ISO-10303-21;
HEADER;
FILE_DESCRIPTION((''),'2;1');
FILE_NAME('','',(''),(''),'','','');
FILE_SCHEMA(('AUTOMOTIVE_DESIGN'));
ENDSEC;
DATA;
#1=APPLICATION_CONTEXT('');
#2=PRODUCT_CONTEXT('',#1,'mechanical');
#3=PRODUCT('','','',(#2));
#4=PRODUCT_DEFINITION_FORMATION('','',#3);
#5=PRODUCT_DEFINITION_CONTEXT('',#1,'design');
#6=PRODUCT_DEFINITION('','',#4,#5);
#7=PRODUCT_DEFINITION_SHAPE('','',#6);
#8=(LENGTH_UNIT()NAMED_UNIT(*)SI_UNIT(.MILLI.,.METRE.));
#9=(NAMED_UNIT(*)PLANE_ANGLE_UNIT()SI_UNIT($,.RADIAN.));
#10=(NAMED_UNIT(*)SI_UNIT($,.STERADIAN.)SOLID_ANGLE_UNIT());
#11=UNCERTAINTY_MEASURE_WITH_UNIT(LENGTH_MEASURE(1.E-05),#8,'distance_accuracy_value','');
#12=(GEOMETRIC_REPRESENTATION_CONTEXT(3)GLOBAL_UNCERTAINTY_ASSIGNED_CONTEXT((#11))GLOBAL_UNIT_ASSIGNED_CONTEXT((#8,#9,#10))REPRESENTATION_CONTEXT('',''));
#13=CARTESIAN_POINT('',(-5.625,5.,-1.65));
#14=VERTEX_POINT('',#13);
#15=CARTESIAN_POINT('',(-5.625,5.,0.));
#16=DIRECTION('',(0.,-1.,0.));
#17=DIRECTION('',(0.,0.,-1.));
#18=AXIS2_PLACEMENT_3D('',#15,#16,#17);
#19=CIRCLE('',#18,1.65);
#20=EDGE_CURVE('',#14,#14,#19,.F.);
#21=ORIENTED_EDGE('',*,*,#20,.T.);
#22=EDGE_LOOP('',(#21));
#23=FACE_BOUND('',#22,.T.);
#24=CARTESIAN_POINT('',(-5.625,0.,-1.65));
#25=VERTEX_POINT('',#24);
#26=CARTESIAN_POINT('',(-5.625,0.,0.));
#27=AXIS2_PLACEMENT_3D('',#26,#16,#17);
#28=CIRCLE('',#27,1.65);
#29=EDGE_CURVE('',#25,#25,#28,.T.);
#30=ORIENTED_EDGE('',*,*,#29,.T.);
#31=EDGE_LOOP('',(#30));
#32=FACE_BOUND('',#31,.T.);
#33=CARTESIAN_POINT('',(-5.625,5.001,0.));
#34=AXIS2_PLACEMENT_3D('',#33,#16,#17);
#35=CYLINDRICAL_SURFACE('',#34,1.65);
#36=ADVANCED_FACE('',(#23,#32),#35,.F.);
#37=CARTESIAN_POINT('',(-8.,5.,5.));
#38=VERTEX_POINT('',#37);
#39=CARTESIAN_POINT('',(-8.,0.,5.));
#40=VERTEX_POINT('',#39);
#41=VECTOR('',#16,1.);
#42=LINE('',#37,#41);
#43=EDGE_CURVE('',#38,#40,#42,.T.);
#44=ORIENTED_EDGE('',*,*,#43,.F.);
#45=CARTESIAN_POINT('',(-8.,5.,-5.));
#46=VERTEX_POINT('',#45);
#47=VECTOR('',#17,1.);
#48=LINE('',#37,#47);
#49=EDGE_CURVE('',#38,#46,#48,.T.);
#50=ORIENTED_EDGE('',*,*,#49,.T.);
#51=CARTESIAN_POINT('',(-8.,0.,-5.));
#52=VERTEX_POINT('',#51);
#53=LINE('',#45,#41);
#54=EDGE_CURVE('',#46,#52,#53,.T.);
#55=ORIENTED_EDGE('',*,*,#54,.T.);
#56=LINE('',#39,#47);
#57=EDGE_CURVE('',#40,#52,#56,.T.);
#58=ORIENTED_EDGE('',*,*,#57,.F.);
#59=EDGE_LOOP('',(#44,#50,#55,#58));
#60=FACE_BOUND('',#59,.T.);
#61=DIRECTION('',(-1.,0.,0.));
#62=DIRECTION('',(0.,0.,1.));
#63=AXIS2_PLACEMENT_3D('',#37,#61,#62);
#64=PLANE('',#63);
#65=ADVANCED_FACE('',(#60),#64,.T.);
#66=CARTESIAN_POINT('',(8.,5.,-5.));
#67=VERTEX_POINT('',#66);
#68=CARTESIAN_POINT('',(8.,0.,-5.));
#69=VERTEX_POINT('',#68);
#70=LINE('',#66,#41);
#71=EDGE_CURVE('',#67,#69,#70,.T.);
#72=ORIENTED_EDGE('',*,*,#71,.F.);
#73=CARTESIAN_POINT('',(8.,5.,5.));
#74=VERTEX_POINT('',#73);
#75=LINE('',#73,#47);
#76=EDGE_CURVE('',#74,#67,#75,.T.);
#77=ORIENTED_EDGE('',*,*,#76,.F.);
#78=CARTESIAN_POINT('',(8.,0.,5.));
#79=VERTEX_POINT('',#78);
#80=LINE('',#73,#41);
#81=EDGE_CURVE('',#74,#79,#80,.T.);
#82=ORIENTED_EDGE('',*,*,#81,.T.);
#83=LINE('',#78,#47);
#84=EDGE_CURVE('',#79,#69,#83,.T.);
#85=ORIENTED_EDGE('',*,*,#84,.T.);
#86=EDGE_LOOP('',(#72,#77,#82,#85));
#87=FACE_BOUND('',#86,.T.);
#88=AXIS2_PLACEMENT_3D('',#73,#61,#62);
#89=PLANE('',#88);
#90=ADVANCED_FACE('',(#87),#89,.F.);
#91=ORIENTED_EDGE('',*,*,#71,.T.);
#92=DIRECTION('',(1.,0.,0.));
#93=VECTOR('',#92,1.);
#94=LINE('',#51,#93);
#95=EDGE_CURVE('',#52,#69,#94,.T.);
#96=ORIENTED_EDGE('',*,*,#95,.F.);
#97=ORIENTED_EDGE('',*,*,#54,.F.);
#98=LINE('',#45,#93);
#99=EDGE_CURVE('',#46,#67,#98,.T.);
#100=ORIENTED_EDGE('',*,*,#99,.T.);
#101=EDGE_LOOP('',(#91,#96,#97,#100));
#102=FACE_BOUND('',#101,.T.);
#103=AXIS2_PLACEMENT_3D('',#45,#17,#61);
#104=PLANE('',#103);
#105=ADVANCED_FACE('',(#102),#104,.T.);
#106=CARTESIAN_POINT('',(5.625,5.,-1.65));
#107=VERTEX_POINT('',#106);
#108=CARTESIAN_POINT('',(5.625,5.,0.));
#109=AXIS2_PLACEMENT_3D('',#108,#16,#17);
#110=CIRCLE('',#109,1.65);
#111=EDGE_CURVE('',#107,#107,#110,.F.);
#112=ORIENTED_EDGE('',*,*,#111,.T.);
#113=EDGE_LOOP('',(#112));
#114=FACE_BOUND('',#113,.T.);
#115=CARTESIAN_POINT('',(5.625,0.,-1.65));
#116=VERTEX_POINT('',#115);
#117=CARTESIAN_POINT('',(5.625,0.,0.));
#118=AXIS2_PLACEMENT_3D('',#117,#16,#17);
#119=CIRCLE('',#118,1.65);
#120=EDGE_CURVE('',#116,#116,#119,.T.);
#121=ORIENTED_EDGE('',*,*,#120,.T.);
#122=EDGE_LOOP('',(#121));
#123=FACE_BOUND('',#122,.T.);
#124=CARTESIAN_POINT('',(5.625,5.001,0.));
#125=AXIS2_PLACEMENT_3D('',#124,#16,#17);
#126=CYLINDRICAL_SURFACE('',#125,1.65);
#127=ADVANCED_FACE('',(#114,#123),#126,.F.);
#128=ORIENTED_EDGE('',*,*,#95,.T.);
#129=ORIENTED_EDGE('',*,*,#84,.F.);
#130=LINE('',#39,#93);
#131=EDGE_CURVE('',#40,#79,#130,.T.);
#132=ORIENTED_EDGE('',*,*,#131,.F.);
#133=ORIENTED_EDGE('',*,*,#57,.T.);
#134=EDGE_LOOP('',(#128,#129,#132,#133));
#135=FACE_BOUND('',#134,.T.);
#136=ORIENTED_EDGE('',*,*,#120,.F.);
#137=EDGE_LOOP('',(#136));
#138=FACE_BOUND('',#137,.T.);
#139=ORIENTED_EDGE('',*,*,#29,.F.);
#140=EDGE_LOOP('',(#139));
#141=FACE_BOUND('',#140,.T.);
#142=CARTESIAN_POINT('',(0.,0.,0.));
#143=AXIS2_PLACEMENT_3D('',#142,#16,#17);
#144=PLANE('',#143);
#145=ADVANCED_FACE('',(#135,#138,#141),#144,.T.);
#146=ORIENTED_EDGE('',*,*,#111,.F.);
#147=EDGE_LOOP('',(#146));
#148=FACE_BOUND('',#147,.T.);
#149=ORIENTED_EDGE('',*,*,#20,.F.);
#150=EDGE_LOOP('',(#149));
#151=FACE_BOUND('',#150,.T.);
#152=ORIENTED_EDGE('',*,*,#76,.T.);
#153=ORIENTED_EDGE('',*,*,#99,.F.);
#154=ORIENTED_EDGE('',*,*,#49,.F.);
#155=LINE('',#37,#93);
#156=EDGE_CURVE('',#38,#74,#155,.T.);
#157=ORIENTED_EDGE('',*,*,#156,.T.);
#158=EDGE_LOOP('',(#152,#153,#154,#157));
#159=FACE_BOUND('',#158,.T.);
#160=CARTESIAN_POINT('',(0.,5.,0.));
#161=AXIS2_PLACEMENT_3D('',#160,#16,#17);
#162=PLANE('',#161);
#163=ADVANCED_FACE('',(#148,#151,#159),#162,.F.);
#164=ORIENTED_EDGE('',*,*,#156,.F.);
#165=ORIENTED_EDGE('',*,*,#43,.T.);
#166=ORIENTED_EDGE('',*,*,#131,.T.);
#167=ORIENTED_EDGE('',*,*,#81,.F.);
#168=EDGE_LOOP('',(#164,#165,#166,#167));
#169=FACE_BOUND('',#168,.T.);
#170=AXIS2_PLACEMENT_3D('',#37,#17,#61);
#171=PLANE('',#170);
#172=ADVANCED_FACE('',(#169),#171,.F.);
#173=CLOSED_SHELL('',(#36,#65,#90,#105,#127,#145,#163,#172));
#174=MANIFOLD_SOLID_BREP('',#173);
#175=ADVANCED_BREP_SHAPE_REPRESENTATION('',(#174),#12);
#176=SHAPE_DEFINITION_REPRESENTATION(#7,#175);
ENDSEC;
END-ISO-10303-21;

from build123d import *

# Parameters (mm, degrees)
CROQUIS1_W              = 16
CROQUIS1_H              = 10
SALIENTE_EXTRUIR1_DEPTH = 5
CORTAR_EXTRUIR1_REACH   = 12.677
CROQUIS2_R              = 1.65


with BuildPart() as part:
    # Croquis1 → Saliente-Extruir1 (new body)
    with BuildSketch(Plane(origin=(0, 0, 0), x_dir=(1, 0, 0), z_dir=(0, 1, 0))):
        Rectangle(CROQUIS1_W, CROQUIS1_H)
    extrude(amount=SALIENTE_EXTRUIR1_DEPTH)

    # Croquis2 → Cortar-Extruir1 (cut, up to next)
    with BuildSketch(Plane.XZ, mode=Mode.PRIVATE) as cortar_extruir1_sk1:
        with Locations(Location((-5.625, 0, 0), (0, 0, 270))):
            Circle(CROQUIS2_R)
    cortar_extruir1_tool1 = extrude(cortar_extruir1_sk1.sketch, amount=-CORTAR_EXTRUIR1_REACH, mode=Mode.PRIVATE) & part.part
    # Croquis2 → Cortar-Extruir1 (cut, up to next)
    with BuildSketch(Plane.XZ, mode=Mode.PRIVATE) as cortar_extruir1_sk2:
        with Locations(Location((5.625, 0, 0), (0, 0, 270))):
            Circle(CROQUIS2_R)
    cortar_extruir1_tool2 = extrude(cortar_extruir1_sk2.sketch, amount=-CORTAR_EXTRUIR1_REACH, mode=Mode.PRIVATE) & part.part
    add(cortar_extruir1_tool1.solids().sort_by_distance((-5.625, 0, 0))[0], mode=Mode.SUBTRACT)
    add(cortar_extruir1_tool2.solids().sort_by_distance((5.625, 0, 0))[0], mode=Mode.SUBTRACT)


solid = part.part
